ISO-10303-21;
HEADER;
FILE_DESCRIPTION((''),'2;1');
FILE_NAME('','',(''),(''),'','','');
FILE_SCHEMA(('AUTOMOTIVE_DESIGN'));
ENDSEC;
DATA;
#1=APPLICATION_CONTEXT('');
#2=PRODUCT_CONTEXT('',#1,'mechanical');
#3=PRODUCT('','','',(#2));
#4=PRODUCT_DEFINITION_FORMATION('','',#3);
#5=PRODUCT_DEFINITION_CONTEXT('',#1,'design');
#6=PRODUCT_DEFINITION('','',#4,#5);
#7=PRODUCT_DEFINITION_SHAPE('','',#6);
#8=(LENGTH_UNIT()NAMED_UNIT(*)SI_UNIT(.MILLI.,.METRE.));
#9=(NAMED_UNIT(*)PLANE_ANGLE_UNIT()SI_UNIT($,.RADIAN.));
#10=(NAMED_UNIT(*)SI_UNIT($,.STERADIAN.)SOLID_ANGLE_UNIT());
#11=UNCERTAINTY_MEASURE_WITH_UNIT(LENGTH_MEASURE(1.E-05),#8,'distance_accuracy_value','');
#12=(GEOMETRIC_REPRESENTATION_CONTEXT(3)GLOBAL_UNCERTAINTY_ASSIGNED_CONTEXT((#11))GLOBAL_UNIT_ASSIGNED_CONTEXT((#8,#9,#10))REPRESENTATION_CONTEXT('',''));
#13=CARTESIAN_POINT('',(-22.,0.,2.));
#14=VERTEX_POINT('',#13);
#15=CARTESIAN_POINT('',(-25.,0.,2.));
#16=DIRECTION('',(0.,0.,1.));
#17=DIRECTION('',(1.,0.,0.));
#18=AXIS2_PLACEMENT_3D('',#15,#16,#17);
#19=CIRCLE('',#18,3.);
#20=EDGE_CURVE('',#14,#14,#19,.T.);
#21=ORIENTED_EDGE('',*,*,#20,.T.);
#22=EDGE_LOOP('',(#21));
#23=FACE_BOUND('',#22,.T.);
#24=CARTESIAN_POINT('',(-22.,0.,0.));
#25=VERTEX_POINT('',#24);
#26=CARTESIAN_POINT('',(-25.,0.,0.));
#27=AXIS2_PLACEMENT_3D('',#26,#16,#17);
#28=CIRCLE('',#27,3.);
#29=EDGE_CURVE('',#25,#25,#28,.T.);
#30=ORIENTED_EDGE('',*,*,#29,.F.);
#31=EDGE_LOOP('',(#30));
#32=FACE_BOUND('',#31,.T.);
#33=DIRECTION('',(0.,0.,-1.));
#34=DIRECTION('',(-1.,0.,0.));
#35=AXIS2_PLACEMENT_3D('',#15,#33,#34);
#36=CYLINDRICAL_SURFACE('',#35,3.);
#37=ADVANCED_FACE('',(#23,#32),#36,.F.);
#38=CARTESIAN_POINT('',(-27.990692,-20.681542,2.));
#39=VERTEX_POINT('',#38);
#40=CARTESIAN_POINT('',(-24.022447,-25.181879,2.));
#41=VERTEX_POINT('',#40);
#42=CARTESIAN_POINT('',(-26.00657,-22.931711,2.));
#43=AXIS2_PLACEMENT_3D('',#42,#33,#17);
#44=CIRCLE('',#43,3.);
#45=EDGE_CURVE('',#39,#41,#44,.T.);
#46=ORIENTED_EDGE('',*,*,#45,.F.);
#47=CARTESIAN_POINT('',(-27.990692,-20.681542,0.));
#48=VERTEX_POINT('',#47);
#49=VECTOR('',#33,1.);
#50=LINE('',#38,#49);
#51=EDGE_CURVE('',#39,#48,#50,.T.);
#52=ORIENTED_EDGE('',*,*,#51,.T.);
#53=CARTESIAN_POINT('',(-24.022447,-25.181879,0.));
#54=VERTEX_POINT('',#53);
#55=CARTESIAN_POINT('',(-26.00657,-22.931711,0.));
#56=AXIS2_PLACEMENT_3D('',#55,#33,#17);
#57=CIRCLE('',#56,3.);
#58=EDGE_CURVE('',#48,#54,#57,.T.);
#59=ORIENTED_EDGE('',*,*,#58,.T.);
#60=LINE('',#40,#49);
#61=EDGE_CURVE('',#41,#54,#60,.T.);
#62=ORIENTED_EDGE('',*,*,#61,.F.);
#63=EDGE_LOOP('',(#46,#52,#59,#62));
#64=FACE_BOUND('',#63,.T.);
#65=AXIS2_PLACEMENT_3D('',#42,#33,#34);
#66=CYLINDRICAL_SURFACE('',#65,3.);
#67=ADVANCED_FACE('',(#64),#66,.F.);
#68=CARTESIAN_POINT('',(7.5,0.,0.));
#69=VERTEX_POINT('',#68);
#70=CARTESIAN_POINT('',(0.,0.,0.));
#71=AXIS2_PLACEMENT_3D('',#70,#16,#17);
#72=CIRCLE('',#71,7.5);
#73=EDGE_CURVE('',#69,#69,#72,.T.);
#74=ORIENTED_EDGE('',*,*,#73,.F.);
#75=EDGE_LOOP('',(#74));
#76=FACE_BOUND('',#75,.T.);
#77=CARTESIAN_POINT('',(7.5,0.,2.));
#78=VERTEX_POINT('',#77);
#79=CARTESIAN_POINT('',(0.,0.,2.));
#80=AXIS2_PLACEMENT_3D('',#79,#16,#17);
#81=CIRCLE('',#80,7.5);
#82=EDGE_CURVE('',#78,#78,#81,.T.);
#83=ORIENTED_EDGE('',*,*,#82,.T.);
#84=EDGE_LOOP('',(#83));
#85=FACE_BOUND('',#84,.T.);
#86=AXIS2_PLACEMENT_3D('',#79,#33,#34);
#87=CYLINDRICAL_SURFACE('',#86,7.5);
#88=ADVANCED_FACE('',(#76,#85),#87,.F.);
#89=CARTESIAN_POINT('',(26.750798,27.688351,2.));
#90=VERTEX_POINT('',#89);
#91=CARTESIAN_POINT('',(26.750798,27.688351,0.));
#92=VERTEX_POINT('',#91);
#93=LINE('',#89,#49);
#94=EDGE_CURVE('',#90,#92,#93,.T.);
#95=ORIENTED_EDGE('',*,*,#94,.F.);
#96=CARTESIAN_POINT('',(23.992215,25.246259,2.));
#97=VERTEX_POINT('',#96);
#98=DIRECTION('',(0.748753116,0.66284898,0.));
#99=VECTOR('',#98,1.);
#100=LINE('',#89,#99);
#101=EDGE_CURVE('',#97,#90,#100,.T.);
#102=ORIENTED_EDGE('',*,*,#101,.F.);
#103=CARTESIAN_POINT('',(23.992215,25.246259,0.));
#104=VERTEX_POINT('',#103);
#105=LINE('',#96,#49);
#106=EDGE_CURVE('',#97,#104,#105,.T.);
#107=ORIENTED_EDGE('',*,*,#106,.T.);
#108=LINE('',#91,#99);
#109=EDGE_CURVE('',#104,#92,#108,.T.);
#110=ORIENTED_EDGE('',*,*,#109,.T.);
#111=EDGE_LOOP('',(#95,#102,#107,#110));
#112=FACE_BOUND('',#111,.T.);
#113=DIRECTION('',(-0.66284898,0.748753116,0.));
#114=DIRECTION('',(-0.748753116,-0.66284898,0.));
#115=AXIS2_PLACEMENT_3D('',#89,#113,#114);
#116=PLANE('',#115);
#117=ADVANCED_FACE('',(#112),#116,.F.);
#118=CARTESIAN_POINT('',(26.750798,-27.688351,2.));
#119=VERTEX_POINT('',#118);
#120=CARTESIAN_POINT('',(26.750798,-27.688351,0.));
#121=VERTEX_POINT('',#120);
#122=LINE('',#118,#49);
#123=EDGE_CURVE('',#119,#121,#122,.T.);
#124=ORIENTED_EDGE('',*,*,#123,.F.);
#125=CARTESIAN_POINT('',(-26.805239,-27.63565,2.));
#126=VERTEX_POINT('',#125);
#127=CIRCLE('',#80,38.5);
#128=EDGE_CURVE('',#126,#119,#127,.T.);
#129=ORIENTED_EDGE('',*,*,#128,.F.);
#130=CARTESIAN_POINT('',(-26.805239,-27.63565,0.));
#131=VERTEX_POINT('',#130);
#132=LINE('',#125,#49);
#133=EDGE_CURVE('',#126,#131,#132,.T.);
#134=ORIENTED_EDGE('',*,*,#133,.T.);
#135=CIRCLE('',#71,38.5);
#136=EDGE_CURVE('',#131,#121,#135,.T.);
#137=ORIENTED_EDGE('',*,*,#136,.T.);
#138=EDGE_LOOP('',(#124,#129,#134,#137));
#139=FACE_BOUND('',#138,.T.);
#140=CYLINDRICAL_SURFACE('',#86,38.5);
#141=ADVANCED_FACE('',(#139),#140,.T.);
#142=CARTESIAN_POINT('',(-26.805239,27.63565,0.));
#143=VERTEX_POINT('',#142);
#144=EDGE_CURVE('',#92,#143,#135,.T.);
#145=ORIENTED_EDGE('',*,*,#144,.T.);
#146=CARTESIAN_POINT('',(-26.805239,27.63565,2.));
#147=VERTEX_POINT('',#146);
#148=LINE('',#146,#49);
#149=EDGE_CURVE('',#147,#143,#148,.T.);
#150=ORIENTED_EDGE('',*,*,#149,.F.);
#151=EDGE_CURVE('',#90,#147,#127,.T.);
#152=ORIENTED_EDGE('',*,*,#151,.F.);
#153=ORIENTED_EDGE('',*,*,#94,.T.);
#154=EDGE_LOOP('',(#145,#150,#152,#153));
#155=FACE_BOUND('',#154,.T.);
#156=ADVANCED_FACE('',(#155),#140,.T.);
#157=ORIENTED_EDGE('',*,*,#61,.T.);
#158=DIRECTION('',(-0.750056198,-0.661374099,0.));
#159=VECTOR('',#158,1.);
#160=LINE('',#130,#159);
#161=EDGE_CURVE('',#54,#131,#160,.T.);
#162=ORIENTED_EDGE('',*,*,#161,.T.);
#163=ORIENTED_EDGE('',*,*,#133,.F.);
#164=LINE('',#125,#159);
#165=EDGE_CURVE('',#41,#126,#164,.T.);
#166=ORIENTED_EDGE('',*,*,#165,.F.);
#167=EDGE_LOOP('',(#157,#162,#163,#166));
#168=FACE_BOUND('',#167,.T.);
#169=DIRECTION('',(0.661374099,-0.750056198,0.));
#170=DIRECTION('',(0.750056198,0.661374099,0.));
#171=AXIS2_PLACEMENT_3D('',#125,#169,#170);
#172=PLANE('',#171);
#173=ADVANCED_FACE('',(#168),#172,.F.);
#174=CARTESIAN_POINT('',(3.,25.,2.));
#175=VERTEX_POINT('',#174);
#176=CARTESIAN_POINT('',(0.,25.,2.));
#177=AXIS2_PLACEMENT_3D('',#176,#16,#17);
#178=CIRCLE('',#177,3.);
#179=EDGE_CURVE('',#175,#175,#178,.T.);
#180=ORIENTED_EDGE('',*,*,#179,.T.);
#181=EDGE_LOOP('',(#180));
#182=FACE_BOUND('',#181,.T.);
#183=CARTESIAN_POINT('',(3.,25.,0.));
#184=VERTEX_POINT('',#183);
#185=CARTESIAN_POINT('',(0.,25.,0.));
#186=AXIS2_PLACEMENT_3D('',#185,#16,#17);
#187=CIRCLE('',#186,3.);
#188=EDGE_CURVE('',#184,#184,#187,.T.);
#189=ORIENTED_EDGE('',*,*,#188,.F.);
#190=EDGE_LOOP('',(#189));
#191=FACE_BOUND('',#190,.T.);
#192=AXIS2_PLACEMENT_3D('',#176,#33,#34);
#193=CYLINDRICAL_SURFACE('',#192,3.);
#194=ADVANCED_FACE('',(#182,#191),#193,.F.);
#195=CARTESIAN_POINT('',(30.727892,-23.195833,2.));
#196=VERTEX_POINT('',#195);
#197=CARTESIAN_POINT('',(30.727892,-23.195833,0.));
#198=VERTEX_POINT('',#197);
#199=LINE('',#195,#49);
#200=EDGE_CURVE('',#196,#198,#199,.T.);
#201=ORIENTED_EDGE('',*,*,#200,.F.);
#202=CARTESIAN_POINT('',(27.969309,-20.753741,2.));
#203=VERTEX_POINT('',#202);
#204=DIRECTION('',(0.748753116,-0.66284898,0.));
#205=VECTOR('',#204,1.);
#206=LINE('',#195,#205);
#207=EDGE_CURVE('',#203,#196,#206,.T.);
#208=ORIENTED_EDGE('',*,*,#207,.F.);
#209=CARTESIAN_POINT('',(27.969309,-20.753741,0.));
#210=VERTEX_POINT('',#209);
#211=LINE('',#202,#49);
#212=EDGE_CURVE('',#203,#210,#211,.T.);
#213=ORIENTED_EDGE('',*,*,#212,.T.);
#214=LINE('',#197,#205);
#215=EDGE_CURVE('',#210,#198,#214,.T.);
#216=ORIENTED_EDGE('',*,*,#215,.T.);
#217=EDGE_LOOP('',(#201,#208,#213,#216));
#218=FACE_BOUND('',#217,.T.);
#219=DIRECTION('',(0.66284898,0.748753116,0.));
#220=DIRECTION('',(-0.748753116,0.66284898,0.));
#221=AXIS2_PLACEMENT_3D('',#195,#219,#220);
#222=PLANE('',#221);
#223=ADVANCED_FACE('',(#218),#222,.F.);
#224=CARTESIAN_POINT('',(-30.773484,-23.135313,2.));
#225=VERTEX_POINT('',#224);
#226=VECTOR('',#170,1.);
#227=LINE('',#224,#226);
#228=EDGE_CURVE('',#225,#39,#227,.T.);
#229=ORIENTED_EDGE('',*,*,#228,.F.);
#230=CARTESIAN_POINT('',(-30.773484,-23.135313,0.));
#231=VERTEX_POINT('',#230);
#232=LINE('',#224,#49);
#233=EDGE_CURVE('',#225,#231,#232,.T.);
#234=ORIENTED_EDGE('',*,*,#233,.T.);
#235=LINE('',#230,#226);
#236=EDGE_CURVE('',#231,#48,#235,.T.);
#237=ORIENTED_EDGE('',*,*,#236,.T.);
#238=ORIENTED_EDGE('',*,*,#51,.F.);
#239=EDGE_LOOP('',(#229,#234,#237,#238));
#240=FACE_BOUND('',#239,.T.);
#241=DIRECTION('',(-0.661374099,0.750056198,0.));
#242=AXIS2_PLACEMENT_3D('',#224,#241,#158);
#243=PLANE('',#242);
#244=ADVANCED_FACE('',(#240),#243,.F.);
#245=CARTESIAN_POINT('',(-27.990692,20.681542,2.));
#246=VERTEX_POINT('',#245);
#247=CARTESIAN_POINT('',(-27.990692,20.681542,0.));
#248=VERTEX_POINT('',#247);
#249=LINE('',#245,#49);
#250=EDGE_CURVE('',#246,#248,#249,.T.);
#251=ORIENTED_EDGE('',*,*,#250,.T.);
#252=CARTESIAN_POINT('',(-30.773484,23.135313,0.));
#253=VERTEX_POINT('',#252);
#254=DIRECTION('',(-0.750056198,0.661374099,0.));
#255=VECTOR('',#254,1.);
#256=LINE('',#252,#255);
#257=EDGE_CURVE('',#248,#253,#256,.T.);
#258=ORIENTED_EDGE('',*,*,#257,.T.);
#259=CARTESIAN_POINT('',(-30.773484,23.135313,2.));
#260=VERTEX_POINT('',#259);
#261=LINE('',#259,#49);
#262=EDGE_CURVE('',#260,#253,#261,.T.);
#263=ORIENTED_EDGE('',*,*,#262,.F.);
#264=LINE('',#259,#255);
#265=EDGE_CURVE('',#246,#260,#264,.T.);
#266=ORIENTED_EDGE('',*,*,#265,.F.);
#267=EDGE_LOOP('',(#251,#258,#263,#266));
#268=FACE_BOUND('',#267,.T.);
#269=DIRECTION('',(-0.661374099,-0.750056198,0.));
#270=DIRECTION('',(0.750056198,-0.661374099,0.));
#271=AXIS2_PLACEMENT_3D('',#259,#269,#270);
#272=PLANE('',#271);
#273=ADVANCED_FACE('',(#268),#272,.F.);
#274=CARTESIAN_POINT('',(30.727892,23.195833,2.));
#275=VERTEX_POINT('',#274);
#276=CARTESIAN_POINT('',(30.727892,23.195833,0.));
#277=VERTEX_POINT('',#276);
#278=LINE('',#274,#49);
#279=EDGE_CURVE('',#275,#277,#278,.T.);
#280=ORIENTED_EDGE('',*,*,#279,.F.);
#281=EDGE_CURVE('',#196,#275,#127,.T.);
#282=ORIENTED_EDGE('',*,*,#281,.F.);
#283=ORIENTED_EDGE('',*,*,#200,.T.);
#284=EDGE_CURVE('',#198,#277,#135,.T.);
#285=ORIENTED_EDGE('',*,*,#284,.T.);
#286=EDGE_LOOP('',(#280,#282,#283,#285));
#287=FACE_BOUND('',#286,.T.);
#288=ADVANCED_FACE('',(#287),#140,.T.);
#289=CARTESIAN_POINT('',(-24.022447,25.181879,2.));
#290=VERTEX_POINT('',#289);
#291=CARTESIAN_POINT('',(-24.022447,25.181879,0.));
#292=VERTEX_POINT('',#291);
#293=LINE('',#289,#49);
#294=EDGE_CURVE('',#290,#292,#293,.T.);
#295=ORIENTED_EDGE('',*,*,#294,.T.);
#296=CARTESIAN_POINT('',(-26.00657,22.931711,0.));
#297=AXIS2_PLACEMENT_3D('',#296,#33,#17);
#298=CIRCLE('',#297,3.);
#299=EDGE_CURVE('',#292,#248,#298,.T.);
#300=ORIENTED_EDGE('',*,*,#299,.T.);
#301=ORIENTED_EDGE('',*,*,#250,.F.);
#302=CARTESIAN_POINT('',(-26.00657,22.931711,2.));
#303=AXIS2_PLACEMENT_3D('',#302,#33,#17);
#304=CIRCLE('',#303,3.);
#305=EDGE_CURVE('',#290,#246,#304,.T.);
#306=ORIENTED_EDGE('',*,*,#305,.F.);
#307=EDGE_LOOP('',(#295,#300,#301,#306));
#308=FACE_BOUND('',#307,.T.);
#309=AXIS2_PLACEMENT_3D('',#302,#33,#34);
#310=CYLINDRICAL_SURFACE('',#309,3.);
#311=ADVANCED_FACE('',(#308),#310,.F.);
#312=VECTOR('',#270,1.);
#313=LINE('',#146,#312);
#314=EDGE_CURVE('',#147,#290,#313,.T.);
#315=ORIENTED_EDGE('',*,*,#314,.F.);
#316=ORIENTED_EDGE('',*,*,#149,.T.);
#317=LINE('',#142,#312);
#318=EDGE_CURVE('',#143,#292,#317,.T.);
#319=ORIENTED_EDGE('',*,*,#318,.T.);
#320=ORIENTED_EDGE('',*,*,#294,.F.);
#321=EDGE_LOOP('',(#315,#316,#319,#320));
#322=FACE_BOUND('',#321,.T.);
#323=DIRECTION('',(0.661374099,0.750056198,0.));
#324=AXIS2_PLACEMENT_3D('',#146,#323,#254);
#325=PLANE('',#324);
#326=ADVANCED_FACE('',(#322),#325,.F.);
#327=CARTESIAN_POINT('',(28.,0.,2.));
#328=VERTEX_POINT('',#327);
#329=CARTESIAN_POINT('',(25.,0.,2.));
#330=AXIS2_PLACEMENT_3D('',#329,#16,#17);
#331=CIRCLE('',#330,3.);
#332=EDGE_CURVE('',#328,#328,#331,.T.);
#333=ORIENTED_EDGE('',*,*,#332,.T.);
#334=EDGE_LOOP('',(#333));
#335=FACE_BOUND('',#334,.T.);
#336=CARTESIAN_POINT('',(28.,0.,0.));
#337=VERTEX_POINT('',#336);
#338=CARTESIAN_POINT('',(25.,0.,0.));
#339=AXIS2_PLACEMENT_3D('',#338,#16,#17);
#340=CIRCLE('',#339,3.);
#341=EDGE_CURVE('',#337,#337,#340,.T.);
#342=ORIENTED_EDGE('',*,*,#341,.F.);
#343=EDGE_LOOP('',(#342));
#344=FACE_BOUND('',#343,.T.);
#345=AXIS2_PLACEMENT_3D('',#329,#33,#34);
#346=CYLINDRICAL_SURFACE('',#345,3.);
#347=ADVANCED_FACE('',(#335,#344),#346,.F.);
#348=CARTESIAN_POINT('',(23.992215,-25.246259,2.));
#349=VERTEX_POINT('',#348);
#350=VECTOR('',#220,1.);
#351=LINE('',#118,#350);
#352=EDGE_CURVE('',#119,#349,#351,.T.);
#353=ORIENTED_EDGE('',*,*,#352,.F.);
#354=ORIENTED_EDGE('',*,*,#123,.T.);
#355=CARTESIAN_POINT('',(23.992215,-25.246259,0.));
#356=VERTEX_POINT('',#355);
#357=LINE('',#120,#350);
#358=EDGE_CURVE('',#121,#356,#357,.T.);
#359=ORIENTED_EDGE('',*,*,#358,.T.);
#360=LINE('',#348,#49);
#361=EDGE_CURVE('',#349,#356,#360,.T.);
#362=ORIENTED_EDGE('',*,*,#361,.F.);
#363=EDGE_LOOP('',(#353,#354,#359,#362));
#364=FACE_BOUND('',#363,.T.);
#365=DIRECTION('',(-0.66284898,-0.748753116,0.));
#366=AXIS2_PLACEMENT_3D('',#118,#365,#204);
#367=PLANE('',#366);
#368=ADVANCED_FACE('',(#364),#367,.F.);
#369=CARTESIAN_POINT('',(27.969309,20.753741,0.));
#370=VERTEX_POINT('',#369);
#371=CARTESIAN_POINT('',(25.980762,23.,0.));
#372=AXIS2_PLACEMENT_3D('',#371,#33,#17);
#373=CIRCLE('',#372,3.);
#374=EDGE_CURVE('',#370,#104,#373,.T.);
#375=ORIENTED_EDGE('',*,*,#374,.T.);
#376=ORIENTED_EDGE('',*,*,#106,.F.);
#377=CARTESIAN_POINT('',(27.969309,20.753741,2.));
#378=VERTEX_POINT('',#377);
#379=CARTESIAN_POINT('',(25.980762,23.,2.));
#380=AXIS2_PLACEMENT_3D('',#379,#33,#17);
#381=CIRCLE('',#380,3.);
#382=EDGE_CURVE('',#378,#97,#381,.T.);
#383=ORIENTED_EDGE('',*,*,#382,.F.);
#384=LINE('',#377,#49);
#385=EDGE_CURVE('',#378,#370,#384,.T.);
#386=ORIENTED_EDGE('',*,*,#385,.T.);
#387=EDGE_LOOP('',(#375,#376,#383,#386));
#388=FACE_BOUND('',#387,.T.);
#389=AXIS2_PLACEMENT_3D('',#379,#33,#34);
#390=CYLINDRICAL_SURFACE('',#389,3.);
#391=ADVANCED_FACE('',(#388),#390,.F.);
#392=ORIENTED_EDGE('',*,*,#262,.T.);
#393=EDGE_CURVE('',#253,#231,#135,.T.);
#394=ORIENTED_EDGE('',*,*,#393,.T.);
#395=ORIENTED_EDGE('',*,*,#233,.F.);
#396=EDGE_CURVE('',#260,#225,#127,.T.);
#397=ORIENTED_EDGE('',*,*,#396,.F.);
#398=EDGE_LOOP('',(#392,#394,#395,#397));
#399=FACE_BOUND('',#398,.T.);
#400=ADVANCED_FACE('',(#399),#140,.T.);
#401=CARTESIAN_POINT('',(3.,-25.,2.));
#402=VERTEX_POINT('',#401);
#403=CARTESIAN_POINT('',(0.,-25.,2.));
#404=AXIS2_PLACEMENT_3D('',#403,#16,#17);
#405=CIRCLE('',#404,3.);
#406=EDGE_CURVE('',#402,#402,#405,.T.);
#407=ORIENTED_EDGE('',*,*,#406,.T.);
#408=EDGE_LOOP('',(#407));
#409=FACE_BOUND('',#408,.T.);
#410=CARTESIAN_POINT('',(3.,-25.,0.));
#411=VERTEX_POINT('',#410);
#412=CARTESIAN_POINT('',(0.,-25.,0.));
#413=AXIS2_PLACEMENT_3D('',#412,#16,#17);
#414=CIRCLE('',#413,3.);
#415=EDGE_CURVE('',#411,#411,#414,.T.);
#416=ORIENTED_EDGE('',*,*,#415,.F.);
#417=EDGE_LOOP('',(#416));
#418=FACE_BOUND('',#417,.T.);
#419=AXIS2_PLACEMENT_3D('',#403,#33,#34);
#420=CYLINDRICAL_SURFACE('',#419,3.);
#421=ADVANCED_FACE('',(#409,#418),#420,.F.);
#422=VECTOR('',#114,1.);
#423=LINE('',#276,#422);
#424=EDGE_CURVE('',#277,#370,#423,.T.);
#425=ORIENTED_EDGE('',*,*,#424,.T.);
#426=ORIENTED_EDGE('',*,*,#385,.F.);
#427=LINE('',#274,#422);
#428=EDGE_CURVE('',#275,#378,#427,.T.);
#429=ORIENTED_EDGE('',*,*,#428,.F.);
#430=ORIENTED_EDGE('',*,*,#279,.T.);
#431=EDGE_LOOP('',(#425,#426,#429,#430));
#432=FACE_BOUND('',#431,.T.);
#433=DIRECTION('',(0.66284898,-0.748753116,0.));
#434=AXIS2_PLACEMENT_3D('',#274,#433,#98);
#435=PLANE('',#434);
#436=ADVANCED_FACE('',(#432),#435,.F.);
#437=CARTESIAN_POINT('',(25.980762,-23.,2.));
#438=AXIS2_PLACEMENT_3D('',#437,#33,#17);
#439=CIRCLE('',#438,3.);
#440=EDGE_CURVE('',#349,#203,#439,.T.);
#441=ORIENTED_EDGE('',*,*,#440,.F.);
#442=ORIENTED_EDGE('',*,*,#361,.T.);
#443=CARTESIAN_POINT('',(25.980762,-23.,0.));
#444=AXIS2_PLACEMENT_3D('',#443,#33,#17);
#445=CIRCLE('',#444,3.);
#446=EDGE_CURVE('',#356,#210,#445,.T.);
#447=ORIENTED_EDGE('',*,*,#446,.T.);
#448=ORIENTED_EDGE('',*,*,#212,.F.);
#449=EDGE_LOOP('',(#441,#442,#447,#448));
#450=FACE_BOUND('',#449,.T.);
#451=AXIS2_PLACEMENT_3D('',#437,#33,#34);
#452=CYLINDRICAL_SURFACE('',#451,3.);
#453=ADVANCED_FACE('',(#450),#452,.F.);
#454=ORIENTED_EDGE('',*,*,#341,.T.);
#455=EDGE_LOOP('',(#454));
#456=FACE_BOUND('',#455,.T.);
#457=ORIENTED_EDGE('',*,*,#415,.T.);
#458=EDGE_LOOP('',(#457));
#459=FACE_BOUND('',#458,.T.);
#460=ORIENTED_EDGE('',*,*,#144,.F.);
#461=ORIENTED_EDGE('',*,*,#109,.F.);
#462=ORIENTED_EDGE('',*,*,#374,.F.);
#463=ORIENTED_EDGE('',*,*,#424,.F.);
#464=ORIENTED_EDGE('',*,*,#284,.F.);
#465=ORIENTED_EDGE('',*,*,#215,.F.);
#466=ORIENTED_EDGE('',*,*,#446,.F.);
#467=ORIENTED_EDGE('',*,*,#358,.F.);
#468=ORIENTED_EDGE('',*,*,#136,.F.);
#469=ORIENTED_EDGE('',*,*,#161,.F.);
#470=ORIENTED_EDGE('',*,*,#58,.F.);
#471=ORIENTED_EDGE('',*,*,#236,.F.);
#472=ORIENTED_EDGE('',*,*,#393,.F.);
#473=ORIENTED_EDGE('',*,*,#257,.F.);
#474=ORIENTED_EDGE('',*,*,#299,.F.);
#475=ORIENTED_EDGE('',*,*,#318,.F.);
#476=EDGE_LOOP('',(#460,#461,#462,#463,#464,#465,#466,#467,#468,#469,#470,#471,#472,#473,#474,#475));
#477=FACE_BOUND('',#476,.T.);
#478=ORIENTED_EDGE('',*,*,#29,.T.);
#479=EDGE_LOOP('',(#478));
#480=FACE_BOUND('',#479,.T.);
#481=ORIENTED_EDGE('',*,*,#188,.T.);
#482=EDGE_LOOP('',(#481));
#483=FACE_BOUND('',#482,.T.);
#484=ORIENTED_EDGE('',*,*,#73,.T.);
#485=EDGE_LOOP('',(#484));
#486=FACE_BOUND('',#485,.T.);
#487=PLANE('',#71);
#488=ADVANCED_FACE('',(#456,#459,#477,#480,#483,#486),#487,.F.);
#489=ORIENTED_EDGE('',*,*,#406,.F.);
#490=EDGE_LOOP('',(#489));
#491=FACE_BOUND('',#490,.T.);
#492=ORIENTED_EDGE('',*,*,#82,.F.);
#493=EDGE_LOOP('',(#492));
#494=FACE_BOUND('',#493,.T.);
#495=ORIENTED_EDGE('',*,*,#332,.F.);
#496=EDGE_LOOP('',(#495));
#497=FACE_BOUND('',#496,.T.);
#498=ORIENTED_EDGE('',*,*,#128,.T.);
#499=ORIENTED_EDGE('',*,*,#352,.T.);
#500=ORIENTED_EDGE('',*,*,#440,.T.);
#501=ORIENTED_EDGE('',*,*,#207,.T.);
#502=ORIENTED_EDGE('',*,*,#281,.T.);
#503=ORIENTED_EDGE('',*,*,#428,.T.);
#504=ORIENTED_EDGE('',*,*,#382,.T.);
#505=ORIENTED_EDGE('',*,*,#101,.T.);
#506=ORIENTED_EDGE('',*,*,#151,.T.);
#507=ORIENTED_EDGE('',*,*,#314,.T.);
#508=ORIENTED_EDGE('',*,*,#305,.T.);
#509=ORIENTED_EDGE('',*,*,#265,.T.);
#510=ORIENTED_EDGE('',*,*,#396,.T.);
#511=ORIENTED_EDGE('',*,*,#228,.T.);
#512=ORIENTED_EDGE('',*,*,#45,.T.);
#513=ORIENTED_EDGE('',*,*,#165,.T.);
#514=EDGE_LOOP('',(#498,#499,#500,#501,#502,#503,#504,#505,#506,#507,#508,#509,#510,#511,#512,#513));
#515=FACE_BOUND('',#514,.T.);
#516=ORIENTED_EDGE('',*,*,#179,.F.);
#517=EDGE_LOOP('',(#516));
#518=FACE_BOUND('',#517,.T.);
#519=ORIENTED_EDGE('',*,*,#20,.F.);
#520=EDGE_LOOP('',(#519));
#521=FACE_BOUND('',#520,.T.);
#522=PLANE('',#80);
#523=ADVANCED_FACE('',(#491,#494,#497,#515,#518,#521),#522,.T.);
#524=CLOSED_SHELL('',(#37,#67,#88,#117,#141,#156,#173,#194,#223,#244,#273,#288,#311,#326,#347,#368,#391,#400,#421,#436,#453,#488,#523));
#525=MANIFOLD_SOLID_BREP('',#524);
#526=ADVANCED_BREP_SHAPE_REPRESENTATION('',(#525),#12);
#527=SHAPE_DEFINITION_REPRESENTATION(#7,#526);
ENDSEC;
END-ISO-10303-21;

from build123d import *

# Parameters (mm, degrees)
MODEL_R             = 7.5
MODEL_R_2           = 3
BOSS_EXTRUDE1_DEPTH = 2


with BuildPart() as part:
    # Model → Boss-Extrude1 (new body)
    with BuildSketch(Plane.XY):
        with BuildLine():
            Line((30.727892071, -23.195832576), (27.969309055, -20.753740651))
            ThreePointArc((27.969309055, -20.753740651), (23.734502764, -21.011453059), (23.992215172, -25.246259349))
            Line((23.992215172, -25.246259349), (26.750798188, -27.688351274))
            ThreePointArc((26.750798188, -27.688351274), (-0.037885337, -38.49998136), (-26.805238954, -27.635650248))
            Line((-26.805238954, -27.635650248), (-24.022447477, -25.18187917))
            ThreePointArc((-24.022447477, -25.18187917), (-23.756401179, -20.947588277), (-27.990692072, -20.68154198))
            Line((-27.990692072, -20.68154198), (-30.773483549, -23.135313057))
            ThreePointArc((-30.773483549, -23.135313057), (-38.5, 0), (-30.773483549, 23.135313057))
            Line((-30.773483549, 23.135313057), (-27.990692072, 20.68154198))
            ThreePointArc((-27.990692072, 20.68154198), (-23.756401179, 20.947588277), (-24.022447477, 25.18187917))
            Line((-24.022447477, 25.18187917), (-26.805238954, 27.635650248))
            ThreePointArc((-26.805238954, 27.635650248), (-0.037885337, 38.49998136), (26.750798188, 27.688351274))
            Line((26.750798188, 27.688351274), (23.992215172, 25.246259349))
            ThreePointArc((23.992215172, 25.246259349), (23.734502764, 21.011453059), (27.969309055, 20.753740651))
            Line((27.969309055, 20.753740651), (30.727892071, 23.195832576))
            ThreePointArc((30.727892071, 23.195832576), (38.5, 0), (30.727892071, -23.195832576))
        make_face()
        Circle(MODEL_R, mode=Mode.SUBTRACT)
        with Locations((0, 25)):
            Circle(MODEL_R_2, mode=Mode.SUBTRACT)
        with Locations((25, 0)):
            Circle(MODEL_R_2, mode=Mode.SUBTRACT)
        with Locations((0, -25)):
            Circle(MODEL_R_2, mode=Mode.SUBTRACT)
        with Locations((-25, 0)):
            Circle(MODEL_R_2, mode=Mode.SUBTRACT)
    extrude(amount=BOSS_EXTRUDE1_DEPTH)


solid = part.part
